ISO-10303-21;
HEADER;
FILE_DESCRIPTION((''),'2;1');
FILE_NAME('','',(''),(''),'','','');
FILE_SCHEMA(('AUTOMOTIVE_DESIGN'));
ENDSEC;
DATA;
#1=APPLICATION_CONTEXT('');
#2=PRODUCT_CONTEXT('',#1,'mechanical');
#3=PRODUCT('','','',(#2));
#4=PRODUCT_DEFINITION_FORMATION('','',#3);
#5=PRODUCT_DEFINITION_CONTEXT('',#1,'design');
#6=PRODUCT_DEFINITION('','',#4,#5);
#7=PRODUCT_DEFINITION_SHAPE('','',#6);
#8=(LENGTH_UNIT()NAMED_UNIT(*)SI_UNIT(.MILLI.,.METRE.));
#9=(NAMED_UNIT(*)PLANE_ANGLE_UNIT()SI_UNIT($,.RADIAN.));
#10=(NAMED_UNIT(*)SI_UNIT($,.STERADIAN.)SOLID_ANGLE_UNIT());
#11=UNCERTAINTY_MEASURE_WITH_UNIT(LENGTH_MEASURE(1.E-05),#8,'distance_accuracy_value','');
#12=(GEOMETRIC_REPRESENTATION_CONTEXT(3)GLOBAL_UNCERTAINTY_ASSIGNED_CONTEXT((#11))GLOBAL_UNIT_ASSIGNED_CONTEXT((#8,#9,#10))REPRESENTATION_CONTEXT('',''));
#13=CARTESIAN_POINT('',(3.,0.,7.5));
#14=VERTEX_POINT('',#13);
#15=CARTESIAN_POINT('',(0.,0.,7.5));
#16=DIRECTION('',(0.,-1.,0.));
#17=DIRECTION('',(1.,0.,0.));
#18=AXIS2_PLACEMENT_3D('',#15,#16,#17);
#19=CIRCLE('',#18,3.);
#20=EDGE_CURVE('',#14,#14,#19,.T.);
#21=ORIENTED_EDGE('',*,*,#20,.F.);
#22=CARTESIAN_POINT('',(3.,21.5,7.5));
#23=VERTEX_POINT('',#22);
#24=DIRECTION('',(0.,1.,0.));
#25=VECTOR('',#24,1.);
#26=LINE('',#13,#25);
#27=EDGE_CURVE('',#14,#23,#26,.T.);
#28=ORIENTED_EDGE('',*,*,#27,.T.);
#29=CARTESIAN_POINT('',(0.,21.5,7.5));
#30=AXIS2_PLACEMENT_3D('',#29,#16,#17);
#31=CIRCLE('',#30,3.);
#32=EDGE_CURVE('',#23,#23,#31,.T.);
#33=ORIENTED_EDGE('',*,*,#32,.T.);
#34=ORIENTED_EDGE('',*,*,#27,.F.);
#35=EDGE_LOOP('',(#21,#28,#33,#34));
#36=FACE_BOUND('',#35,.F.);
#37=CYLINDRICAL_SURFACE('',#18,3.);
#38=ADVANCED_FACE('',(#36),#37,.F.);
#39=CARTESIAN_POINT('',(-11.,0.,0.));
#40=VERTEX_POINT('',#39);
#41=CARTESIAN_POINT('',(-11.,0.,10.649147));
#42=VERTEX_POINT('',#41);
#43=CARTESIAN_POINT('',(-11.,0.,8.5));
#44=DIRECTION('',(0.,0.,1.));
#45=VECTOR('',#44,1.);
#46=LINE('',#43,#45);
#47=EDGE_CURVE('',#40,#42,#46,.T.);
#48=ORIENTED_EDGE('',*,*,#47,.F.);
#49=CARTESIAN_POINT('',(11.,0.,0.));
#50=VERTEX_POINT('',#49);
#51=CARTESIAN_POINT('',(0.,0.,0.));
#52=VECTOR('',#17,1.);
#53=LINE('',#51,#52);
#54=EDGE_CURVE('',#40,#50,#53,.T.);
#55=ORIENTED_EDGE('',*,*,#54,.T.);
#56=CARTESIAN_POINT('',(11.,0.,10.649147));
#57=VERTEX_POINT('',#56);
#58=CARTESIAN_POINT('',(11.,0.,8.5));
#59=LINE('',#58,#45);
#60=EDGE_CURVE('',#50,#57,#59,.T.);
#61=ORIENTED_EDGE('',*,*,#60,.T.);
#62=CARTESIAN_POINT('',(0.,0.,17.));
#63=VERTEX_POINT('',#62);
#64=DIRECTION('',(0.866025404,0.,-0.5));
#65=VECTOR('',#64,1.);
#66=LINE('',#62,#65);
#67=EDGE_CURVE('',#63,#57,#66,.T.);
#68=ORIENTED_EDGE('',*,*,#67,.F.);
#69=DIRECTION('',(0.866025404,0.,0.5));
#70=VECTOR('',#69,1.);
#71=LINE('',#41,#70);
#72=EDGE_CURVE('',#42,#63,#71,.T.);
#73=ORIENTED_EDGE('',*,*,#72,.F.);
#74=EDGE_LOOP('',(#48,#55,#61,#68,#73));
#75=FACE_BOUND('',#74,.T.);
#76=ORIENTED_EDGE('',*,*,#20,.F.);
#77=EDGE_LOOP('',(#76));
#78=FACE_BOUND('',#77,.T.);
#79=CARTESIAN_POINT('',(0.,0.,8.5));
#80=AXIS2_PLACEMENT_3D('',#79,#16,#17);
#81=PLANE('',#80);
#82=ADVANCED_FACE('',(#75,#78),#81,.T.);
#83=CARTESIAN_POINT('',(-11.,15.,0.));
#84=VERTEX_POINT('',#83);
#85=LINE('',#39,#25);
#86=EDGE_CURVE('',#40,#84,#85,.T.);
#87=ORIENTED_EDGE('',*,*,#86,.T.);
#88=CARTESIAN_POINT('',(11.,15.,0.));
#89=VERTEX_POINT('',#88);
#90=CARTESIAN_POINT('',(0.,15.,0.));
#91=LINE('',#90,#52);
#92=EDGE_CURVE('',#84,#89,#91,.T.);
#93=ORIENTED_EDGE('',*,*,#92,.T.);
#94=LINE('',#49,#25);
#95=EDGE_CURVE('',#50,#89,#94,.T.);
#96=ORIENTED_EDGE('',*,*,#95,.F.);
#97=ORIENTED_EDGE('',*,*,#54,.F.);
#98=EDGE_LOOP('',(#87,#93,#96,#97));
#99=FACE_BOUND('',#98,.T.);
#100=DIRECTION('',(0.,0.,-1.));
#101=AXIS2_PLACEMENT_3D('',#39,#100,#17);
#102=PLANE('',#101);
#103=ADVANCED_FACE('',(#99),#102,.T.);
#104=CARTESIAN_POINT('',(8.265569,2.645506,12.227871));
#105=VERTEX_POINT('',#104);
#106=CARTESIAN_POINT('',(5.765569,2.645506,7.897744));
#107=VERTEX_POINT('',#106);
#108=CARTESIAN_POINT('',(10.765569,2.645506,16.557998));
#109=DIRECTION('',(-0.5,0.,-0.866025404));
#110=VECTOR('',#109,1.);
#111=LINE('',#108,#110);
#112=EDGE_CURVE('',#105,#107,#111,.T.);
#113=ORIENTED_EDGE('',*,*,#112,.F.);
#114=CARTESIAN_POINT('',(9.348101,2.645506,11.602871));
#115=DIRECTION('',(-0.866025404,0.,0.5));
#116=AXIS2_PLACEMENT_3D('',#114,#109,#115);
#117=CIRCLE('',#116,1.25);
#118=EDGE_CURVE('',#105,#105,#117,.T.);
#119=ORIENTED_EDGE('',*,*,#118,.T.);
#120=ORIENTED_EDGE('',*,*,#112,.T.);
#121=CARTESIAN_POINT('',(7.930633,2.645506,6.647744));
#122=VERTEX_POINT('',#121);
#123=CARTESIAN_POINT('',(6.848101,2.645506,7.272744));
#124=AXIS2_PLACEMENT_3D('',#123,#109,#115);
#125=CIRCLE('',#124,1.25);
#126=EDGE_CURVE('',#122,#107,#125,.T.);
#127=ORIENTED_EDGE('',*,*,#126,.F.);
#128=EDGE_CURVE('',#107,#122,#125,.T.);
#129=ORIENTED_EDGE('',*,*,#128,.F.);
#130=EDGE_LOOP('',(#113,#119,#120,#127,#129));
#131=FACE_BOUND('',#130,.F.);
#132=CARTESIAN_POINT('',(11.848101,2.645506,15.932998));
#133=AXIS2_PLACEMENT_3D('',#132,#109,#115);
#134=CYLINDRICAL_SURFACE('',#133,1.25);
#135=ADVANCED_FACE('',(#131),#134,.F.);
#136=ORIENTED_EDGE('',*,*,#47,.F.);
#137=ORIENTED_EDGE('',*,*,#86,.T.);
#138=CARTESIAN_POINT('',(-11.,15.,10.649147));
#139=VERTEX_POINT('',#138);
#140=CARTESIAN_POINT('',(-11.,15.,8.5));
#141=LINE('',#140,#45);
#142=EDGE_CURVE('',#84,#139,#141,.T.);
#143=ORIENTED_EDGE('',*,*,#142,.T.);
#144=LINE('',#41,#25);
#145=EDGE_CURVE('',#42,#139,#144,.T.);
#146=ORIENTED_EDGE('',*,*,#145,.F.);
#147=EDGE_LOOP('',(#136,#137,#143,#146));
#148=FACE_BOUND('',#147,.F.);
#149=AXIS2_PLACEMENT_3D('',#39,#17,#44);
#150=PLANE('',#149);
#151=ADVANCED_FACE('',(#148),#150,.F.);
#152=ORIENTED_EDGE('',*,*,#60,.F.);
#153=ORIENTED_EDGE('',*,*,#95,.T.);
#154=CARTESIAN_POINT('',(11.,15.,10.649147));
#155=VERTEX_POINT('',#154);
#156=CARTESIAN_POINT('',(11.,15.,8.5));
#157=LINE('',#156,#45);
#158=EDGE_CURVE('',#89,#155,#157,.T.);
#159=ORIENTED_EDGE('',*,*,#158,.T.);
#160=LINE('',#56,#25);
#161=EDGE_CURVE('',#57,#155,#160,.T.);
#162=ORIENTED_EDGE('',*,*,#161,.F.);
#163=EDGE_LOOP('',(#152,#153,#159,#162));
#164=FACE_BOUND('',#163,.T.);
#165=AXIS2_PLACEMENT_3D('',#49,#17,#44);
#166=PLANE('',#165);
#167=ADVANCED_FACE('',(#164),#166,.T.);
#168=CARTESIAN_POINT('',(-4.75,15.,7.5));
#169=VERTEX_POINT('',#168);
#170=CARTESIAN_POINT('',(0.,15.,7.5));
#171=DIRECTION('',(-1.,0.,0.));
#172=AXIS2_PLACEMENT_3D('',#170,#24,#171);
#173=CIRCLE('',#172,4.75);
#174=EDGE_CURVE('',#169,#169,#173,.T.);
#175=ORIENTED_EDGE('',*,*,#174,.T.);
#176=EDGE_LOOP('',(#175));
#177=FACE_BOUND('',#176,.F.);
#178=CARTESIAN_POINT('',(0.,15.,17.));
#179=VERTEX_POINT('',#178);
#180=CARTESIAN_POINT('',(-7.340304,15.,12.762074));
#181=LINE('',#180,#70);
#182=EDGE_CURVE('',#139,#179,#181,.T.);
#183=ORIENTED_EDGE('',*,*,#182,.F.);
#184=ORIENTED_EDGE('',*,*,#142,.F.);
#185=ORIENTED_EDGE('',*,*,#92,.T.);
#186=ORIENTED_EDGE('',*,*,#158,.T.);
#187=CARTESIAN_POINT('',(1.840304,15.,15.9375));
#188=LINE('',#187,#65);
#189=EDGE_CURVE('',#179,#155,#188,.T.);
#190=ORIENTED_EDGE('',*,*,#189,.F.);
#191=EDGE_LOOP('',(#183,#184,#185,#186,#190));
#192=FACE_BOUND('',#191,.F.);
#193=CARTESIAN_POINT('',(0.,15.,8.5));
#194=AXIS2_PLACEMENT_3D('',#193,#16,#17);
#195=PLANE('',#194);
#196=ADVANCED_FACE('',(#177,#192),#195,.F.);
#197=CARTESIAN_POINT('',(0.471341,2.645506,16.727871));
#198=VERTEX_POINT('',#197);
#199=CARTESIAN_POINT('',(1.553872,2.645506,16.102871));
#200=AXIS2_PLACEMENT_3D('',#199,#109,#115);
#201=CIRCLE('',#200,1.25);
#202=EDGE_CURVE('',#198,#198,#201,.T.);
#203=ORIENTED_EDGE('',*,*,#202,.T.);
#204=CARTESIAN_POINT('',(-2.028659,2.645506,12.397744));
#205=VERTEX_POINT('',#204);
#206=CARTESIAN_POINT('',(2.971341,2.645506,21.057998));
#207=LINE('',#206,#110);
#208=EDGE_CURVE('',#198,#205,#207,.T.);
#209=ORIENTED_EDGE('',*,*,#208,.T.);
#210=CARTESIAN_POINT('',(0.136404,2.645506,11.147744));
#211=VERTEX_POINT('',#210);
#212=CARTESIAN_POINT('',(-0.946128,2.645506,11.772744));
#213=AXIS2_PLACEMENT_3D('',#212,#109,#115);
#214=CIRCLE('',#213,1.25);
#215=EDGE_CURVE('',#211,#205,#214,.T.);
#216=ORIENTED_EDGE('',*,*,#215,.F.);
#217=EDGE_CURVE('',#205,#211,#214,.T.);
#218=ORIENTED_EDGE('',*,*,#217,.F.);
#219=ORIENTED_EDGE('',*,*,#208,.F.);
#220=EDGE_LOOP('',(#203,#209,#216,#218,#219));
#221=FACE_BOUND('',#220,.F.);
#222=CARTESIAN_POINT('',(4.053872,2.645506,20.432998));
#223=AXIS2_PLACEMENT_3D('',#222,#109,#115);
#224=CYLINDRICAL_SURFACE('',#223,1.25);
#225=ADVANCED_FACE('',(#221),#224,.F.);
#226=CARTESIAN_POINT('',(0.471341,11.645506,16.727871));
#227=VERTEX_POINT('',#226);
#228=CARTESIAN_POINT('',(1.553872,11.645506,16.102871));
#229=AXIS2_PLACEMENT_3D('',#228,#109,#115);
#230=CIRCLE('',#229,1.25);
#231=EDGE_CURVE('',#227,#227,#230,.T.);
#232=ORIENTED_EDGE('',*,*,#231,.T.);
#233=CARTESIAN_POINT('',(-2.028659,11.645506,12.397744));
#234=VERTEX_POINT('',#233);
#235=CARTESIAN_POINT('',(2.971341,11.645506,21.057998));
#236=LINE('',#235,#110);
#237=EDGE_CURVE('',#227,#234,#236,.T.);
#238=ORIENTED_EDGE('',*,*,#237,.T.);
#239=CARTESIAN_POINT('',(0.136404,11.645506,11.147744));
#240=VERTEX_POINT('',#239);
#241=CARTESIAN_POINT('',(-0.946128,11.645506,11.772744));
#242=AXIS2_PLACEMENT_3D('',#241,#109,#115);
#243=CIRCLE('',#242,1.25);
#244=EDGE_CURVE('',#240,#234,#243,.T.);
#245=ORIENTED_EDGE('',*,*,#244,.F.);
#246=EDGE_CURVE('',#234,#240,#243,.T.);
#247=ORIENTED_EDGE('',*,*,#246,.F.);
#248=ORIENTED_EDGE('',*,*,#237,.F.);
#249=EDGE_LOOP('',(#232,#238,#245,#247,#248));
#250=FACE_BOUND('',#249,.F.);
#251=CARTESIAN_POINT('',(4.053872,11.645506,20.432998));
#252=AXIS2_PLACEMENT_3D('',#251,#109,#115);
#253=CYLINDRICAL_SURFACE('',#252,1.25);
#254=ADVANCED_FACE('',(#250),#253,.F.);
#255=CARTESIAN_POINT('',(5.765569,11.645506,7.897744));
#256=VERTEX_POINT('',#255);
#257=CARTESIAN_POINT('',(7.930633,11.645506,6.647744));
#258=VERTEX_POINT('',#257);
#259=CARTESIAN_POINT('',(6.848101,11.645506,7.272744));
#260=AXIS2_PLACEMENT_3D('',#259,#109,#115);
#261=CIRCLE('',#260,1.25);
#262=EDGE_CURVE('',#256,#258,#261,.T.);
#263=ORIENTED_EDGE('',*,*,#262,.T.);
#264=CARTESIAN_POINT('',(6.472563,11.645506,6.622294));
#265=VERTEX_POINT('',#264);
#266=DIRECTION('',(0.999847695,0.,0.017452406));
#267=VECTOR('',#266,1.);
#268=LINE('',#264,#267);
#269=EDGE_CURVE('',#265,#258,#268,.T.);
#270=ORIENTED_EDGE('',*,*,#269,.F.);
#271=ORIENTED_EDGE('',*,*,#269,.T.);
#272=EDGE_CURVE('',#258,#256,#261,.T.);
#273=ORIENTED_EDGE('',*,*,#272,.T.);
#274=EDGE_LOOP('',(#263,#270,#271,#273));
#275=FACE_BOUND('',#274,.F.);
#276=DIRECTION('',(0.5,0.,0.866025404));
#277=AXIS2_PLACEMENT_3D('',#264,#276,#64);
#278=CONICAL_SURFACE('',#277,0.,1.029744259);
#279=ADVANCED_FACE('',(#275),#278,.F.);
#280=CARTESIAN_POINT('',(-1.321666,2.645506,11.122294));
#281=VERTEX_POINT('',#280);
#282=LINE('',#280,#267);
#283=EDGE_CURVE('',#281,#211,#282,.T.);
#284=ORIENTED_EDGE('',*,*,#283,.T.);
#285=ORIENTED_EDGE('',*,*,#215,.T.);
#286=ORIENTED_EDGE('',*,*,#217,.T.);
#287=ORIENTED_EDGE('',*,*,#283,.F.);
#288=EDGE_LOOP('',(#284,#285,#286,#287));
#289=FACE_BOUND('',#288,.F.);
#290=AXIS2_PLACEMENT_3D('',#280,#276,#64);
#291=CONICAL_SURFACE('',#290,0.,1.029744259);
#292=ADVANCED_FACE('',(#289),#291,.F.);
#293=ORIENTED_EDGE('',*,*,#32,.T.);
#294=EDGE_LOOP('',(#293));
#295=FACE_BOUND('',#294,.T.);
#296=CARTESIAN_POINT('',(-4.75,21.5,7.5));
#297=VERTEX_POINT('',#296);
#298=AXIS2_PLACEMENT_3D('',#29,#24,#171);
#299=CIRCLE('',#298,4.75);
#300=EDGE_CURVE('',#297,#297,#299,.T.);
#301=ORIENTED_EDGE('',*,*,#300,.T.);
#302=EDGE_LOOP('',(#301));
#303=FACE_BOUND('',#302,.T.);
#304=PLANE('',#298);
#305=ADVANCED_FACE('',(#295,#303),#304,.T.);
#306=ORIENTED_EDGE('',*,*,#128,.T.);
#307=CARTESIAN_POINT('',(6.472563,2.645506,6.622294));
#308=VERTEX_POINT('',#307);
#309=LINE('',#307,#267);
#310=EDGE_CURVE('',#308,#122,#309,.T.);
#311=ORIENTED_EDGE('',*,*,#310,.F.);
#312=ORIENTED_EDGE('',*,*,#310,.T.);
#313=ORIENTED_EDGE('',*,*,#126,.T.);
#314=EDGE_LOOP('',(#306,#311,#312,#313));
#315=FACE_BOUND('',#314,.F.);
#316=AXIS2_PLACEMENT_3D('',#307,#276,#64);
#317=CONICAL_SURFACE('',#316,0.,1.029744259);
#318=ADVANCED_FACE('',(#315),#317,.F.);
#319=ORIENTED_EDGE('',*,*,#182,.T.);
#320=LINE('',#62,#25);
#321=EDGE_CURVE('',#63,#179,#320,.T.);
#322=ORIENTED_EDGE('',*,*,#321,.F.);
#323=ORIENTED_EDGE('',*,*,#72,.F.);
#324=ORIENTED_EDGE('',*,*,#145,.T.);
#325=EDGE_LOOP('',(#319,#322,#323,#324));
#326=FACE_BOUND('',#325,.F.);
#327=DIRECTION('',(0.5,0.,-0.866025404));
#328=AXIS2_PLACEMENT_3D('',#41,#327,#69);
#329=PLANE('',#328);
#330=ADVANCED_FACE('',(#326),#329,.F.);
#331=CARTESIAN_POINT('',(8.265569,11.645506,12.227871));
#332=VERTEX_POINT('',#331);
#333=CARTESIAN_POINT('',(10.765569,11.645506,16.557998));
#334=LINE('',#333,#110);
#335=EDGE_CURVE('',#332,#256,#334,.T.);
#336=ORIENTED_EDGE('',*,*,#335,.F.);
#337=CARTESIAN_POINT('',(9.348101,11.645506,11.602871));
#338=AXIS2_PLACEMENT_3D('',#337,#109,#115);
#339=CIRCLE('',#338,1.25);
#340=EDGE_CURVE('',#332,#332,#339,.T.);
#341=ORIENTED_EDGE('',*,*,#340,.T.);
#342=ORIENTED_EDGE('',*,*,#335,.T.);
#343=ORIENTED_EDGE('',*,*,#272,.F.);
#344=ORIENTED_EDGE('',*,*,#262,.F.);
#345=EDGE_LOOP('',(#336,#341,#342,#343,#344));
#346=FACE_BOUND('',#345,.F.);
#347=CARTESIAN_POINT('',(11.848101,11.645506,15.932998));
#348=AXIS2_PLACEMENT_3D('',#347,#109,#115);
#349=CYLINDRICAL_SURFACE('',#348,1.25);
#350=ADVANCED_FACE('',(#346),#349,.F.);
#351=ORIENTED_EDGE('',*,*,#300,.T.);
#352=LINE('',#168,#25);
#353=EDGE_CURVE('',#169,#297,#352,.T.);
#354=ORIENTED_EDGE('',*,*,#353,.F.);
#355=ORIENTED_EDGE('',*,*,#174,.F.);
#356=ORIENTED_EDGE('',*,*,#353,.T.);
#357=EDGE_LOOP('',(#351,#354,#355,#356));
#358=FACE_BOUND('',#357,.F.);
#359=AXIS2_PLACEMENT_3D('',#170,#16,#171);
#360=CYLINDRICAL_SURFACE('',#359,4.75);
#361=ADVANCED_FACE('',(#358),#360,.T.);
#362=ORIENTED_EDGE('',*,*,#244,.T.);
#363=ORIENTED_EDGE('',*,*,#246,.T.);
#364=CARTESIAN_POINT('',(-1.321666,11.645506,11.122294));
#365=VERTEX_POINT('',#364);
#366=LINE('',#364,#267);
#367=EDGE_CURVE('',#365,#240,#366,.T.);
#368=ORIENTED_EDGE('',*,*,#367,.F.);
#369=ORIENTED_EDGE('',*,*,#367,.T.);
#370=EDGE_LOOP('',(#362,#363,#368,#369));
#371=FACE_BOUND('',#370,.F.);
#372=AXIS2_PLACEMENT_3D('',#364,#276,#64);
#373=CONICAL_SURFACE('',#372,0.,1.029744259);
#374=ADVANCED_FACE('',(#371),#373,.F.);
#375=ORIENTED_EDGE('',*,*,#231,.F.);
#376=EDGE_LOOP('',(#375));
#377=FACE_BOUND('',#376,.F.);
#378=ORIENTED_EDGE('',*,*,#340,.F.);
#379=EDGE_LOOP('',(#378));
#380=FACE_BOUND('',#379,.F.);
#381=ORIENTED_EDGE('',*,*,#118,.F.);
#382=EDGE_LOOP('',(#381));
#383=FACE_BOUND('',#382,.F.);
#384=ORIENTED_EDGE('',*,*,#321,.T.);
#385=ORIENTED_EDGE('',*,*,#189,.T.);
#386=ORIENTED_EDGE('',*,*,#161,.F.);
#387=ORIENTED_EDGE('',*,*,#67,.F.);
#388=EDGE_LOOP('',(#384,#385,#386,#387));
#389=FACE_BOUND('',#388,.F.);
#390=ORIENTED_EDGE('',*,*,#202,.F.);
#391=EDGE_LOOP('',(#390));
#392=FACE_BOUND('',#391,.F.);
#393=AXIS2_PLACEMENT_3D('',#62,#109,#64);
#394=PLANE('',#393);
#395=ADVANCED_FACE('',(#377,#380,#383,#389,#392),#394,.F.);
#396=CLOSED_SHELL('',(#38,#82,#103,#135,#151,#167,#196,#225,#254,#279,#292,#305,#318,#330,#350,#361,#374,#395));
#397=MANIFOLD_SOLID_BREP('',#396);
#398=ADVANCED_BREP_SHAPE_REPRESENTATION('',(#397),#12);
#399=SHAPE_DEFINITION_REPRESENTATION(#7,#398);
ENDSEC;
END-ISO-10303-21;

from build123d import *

# Parameters (mm, degrees)
F0_W     = 22
F0_H     = 17
F1_DEPTH = 15
F2_R     = 4.75
F3_DEPTH = 6.5
F4_R     = 3
F5_DEPTH = 21.501
F7_DEPTH = 21.501
F9_D     = 2.5
F9_DEPTH = 5
F9_TIP   = 0.7510757738


with BuildPart() as f1:
    # F0 (on Front) → F1 (new body)
    with BuildSketch(Plane.XZ):
        with Locations((0, 8.5)):
            Rectangle(F0_W, F0_H)
    extrude(amount=-F1_DEPTH)

    # F2 (on face) → F3 (join)
    with BuildSketch(Plane(origin=(0, 15, 0), x_dir=(-1, 0, 0), z_dir=(0, 1, 0))):
        with Locations((0, 7.5)):
            Circle(F2_R)
    extrude(amount=F3_DEPTH)

    # F4 (on face) → F5 (cut, through all)
    with BuildSketch(Plane.XZ):
        with Locations((0, 7.5)):
            Circle(F4_R)
    extrude(amount=-F5_DEPTH, mode=Mode.SUBTRACT)

    # F6 (on face) → F7 (cut, through all)
    with BuildSketch(Plane.XZ):
        Polygon((11, 17), (0, 17), (11, 10.6491470389), align=None)
        Polygon((-11, 10.6491470389), (0, 17), (-11, 17), align=None)
    extrude(amount=-F7_DEPTH, mode=Mode.SUBTRACT)

    # F9
    with Locations(Plane(origin=(7.3612159322, 0, 12.75), x_dir=(0.8660254038, 0, -0.5), z_dir=(0.5, 0, 0.8660254038))):
        with Locations((-6.7057428082, 2.6455062134), (-6.7057428082, 11.6455062134), (2.2942571918, 11.6455062134), (2.2942571918, 2.6455062134)):
            Hole(F9_D / 2, depth=F9_DEPTH)
            with Locations((0, 0, -(F9_DEPTH + F9_TIP / 2))):  # 118° drill point
                Cone(0, F9_D / 2, F9_TIP, mode=Mode.SUBTRACT)


solid = f1.part
